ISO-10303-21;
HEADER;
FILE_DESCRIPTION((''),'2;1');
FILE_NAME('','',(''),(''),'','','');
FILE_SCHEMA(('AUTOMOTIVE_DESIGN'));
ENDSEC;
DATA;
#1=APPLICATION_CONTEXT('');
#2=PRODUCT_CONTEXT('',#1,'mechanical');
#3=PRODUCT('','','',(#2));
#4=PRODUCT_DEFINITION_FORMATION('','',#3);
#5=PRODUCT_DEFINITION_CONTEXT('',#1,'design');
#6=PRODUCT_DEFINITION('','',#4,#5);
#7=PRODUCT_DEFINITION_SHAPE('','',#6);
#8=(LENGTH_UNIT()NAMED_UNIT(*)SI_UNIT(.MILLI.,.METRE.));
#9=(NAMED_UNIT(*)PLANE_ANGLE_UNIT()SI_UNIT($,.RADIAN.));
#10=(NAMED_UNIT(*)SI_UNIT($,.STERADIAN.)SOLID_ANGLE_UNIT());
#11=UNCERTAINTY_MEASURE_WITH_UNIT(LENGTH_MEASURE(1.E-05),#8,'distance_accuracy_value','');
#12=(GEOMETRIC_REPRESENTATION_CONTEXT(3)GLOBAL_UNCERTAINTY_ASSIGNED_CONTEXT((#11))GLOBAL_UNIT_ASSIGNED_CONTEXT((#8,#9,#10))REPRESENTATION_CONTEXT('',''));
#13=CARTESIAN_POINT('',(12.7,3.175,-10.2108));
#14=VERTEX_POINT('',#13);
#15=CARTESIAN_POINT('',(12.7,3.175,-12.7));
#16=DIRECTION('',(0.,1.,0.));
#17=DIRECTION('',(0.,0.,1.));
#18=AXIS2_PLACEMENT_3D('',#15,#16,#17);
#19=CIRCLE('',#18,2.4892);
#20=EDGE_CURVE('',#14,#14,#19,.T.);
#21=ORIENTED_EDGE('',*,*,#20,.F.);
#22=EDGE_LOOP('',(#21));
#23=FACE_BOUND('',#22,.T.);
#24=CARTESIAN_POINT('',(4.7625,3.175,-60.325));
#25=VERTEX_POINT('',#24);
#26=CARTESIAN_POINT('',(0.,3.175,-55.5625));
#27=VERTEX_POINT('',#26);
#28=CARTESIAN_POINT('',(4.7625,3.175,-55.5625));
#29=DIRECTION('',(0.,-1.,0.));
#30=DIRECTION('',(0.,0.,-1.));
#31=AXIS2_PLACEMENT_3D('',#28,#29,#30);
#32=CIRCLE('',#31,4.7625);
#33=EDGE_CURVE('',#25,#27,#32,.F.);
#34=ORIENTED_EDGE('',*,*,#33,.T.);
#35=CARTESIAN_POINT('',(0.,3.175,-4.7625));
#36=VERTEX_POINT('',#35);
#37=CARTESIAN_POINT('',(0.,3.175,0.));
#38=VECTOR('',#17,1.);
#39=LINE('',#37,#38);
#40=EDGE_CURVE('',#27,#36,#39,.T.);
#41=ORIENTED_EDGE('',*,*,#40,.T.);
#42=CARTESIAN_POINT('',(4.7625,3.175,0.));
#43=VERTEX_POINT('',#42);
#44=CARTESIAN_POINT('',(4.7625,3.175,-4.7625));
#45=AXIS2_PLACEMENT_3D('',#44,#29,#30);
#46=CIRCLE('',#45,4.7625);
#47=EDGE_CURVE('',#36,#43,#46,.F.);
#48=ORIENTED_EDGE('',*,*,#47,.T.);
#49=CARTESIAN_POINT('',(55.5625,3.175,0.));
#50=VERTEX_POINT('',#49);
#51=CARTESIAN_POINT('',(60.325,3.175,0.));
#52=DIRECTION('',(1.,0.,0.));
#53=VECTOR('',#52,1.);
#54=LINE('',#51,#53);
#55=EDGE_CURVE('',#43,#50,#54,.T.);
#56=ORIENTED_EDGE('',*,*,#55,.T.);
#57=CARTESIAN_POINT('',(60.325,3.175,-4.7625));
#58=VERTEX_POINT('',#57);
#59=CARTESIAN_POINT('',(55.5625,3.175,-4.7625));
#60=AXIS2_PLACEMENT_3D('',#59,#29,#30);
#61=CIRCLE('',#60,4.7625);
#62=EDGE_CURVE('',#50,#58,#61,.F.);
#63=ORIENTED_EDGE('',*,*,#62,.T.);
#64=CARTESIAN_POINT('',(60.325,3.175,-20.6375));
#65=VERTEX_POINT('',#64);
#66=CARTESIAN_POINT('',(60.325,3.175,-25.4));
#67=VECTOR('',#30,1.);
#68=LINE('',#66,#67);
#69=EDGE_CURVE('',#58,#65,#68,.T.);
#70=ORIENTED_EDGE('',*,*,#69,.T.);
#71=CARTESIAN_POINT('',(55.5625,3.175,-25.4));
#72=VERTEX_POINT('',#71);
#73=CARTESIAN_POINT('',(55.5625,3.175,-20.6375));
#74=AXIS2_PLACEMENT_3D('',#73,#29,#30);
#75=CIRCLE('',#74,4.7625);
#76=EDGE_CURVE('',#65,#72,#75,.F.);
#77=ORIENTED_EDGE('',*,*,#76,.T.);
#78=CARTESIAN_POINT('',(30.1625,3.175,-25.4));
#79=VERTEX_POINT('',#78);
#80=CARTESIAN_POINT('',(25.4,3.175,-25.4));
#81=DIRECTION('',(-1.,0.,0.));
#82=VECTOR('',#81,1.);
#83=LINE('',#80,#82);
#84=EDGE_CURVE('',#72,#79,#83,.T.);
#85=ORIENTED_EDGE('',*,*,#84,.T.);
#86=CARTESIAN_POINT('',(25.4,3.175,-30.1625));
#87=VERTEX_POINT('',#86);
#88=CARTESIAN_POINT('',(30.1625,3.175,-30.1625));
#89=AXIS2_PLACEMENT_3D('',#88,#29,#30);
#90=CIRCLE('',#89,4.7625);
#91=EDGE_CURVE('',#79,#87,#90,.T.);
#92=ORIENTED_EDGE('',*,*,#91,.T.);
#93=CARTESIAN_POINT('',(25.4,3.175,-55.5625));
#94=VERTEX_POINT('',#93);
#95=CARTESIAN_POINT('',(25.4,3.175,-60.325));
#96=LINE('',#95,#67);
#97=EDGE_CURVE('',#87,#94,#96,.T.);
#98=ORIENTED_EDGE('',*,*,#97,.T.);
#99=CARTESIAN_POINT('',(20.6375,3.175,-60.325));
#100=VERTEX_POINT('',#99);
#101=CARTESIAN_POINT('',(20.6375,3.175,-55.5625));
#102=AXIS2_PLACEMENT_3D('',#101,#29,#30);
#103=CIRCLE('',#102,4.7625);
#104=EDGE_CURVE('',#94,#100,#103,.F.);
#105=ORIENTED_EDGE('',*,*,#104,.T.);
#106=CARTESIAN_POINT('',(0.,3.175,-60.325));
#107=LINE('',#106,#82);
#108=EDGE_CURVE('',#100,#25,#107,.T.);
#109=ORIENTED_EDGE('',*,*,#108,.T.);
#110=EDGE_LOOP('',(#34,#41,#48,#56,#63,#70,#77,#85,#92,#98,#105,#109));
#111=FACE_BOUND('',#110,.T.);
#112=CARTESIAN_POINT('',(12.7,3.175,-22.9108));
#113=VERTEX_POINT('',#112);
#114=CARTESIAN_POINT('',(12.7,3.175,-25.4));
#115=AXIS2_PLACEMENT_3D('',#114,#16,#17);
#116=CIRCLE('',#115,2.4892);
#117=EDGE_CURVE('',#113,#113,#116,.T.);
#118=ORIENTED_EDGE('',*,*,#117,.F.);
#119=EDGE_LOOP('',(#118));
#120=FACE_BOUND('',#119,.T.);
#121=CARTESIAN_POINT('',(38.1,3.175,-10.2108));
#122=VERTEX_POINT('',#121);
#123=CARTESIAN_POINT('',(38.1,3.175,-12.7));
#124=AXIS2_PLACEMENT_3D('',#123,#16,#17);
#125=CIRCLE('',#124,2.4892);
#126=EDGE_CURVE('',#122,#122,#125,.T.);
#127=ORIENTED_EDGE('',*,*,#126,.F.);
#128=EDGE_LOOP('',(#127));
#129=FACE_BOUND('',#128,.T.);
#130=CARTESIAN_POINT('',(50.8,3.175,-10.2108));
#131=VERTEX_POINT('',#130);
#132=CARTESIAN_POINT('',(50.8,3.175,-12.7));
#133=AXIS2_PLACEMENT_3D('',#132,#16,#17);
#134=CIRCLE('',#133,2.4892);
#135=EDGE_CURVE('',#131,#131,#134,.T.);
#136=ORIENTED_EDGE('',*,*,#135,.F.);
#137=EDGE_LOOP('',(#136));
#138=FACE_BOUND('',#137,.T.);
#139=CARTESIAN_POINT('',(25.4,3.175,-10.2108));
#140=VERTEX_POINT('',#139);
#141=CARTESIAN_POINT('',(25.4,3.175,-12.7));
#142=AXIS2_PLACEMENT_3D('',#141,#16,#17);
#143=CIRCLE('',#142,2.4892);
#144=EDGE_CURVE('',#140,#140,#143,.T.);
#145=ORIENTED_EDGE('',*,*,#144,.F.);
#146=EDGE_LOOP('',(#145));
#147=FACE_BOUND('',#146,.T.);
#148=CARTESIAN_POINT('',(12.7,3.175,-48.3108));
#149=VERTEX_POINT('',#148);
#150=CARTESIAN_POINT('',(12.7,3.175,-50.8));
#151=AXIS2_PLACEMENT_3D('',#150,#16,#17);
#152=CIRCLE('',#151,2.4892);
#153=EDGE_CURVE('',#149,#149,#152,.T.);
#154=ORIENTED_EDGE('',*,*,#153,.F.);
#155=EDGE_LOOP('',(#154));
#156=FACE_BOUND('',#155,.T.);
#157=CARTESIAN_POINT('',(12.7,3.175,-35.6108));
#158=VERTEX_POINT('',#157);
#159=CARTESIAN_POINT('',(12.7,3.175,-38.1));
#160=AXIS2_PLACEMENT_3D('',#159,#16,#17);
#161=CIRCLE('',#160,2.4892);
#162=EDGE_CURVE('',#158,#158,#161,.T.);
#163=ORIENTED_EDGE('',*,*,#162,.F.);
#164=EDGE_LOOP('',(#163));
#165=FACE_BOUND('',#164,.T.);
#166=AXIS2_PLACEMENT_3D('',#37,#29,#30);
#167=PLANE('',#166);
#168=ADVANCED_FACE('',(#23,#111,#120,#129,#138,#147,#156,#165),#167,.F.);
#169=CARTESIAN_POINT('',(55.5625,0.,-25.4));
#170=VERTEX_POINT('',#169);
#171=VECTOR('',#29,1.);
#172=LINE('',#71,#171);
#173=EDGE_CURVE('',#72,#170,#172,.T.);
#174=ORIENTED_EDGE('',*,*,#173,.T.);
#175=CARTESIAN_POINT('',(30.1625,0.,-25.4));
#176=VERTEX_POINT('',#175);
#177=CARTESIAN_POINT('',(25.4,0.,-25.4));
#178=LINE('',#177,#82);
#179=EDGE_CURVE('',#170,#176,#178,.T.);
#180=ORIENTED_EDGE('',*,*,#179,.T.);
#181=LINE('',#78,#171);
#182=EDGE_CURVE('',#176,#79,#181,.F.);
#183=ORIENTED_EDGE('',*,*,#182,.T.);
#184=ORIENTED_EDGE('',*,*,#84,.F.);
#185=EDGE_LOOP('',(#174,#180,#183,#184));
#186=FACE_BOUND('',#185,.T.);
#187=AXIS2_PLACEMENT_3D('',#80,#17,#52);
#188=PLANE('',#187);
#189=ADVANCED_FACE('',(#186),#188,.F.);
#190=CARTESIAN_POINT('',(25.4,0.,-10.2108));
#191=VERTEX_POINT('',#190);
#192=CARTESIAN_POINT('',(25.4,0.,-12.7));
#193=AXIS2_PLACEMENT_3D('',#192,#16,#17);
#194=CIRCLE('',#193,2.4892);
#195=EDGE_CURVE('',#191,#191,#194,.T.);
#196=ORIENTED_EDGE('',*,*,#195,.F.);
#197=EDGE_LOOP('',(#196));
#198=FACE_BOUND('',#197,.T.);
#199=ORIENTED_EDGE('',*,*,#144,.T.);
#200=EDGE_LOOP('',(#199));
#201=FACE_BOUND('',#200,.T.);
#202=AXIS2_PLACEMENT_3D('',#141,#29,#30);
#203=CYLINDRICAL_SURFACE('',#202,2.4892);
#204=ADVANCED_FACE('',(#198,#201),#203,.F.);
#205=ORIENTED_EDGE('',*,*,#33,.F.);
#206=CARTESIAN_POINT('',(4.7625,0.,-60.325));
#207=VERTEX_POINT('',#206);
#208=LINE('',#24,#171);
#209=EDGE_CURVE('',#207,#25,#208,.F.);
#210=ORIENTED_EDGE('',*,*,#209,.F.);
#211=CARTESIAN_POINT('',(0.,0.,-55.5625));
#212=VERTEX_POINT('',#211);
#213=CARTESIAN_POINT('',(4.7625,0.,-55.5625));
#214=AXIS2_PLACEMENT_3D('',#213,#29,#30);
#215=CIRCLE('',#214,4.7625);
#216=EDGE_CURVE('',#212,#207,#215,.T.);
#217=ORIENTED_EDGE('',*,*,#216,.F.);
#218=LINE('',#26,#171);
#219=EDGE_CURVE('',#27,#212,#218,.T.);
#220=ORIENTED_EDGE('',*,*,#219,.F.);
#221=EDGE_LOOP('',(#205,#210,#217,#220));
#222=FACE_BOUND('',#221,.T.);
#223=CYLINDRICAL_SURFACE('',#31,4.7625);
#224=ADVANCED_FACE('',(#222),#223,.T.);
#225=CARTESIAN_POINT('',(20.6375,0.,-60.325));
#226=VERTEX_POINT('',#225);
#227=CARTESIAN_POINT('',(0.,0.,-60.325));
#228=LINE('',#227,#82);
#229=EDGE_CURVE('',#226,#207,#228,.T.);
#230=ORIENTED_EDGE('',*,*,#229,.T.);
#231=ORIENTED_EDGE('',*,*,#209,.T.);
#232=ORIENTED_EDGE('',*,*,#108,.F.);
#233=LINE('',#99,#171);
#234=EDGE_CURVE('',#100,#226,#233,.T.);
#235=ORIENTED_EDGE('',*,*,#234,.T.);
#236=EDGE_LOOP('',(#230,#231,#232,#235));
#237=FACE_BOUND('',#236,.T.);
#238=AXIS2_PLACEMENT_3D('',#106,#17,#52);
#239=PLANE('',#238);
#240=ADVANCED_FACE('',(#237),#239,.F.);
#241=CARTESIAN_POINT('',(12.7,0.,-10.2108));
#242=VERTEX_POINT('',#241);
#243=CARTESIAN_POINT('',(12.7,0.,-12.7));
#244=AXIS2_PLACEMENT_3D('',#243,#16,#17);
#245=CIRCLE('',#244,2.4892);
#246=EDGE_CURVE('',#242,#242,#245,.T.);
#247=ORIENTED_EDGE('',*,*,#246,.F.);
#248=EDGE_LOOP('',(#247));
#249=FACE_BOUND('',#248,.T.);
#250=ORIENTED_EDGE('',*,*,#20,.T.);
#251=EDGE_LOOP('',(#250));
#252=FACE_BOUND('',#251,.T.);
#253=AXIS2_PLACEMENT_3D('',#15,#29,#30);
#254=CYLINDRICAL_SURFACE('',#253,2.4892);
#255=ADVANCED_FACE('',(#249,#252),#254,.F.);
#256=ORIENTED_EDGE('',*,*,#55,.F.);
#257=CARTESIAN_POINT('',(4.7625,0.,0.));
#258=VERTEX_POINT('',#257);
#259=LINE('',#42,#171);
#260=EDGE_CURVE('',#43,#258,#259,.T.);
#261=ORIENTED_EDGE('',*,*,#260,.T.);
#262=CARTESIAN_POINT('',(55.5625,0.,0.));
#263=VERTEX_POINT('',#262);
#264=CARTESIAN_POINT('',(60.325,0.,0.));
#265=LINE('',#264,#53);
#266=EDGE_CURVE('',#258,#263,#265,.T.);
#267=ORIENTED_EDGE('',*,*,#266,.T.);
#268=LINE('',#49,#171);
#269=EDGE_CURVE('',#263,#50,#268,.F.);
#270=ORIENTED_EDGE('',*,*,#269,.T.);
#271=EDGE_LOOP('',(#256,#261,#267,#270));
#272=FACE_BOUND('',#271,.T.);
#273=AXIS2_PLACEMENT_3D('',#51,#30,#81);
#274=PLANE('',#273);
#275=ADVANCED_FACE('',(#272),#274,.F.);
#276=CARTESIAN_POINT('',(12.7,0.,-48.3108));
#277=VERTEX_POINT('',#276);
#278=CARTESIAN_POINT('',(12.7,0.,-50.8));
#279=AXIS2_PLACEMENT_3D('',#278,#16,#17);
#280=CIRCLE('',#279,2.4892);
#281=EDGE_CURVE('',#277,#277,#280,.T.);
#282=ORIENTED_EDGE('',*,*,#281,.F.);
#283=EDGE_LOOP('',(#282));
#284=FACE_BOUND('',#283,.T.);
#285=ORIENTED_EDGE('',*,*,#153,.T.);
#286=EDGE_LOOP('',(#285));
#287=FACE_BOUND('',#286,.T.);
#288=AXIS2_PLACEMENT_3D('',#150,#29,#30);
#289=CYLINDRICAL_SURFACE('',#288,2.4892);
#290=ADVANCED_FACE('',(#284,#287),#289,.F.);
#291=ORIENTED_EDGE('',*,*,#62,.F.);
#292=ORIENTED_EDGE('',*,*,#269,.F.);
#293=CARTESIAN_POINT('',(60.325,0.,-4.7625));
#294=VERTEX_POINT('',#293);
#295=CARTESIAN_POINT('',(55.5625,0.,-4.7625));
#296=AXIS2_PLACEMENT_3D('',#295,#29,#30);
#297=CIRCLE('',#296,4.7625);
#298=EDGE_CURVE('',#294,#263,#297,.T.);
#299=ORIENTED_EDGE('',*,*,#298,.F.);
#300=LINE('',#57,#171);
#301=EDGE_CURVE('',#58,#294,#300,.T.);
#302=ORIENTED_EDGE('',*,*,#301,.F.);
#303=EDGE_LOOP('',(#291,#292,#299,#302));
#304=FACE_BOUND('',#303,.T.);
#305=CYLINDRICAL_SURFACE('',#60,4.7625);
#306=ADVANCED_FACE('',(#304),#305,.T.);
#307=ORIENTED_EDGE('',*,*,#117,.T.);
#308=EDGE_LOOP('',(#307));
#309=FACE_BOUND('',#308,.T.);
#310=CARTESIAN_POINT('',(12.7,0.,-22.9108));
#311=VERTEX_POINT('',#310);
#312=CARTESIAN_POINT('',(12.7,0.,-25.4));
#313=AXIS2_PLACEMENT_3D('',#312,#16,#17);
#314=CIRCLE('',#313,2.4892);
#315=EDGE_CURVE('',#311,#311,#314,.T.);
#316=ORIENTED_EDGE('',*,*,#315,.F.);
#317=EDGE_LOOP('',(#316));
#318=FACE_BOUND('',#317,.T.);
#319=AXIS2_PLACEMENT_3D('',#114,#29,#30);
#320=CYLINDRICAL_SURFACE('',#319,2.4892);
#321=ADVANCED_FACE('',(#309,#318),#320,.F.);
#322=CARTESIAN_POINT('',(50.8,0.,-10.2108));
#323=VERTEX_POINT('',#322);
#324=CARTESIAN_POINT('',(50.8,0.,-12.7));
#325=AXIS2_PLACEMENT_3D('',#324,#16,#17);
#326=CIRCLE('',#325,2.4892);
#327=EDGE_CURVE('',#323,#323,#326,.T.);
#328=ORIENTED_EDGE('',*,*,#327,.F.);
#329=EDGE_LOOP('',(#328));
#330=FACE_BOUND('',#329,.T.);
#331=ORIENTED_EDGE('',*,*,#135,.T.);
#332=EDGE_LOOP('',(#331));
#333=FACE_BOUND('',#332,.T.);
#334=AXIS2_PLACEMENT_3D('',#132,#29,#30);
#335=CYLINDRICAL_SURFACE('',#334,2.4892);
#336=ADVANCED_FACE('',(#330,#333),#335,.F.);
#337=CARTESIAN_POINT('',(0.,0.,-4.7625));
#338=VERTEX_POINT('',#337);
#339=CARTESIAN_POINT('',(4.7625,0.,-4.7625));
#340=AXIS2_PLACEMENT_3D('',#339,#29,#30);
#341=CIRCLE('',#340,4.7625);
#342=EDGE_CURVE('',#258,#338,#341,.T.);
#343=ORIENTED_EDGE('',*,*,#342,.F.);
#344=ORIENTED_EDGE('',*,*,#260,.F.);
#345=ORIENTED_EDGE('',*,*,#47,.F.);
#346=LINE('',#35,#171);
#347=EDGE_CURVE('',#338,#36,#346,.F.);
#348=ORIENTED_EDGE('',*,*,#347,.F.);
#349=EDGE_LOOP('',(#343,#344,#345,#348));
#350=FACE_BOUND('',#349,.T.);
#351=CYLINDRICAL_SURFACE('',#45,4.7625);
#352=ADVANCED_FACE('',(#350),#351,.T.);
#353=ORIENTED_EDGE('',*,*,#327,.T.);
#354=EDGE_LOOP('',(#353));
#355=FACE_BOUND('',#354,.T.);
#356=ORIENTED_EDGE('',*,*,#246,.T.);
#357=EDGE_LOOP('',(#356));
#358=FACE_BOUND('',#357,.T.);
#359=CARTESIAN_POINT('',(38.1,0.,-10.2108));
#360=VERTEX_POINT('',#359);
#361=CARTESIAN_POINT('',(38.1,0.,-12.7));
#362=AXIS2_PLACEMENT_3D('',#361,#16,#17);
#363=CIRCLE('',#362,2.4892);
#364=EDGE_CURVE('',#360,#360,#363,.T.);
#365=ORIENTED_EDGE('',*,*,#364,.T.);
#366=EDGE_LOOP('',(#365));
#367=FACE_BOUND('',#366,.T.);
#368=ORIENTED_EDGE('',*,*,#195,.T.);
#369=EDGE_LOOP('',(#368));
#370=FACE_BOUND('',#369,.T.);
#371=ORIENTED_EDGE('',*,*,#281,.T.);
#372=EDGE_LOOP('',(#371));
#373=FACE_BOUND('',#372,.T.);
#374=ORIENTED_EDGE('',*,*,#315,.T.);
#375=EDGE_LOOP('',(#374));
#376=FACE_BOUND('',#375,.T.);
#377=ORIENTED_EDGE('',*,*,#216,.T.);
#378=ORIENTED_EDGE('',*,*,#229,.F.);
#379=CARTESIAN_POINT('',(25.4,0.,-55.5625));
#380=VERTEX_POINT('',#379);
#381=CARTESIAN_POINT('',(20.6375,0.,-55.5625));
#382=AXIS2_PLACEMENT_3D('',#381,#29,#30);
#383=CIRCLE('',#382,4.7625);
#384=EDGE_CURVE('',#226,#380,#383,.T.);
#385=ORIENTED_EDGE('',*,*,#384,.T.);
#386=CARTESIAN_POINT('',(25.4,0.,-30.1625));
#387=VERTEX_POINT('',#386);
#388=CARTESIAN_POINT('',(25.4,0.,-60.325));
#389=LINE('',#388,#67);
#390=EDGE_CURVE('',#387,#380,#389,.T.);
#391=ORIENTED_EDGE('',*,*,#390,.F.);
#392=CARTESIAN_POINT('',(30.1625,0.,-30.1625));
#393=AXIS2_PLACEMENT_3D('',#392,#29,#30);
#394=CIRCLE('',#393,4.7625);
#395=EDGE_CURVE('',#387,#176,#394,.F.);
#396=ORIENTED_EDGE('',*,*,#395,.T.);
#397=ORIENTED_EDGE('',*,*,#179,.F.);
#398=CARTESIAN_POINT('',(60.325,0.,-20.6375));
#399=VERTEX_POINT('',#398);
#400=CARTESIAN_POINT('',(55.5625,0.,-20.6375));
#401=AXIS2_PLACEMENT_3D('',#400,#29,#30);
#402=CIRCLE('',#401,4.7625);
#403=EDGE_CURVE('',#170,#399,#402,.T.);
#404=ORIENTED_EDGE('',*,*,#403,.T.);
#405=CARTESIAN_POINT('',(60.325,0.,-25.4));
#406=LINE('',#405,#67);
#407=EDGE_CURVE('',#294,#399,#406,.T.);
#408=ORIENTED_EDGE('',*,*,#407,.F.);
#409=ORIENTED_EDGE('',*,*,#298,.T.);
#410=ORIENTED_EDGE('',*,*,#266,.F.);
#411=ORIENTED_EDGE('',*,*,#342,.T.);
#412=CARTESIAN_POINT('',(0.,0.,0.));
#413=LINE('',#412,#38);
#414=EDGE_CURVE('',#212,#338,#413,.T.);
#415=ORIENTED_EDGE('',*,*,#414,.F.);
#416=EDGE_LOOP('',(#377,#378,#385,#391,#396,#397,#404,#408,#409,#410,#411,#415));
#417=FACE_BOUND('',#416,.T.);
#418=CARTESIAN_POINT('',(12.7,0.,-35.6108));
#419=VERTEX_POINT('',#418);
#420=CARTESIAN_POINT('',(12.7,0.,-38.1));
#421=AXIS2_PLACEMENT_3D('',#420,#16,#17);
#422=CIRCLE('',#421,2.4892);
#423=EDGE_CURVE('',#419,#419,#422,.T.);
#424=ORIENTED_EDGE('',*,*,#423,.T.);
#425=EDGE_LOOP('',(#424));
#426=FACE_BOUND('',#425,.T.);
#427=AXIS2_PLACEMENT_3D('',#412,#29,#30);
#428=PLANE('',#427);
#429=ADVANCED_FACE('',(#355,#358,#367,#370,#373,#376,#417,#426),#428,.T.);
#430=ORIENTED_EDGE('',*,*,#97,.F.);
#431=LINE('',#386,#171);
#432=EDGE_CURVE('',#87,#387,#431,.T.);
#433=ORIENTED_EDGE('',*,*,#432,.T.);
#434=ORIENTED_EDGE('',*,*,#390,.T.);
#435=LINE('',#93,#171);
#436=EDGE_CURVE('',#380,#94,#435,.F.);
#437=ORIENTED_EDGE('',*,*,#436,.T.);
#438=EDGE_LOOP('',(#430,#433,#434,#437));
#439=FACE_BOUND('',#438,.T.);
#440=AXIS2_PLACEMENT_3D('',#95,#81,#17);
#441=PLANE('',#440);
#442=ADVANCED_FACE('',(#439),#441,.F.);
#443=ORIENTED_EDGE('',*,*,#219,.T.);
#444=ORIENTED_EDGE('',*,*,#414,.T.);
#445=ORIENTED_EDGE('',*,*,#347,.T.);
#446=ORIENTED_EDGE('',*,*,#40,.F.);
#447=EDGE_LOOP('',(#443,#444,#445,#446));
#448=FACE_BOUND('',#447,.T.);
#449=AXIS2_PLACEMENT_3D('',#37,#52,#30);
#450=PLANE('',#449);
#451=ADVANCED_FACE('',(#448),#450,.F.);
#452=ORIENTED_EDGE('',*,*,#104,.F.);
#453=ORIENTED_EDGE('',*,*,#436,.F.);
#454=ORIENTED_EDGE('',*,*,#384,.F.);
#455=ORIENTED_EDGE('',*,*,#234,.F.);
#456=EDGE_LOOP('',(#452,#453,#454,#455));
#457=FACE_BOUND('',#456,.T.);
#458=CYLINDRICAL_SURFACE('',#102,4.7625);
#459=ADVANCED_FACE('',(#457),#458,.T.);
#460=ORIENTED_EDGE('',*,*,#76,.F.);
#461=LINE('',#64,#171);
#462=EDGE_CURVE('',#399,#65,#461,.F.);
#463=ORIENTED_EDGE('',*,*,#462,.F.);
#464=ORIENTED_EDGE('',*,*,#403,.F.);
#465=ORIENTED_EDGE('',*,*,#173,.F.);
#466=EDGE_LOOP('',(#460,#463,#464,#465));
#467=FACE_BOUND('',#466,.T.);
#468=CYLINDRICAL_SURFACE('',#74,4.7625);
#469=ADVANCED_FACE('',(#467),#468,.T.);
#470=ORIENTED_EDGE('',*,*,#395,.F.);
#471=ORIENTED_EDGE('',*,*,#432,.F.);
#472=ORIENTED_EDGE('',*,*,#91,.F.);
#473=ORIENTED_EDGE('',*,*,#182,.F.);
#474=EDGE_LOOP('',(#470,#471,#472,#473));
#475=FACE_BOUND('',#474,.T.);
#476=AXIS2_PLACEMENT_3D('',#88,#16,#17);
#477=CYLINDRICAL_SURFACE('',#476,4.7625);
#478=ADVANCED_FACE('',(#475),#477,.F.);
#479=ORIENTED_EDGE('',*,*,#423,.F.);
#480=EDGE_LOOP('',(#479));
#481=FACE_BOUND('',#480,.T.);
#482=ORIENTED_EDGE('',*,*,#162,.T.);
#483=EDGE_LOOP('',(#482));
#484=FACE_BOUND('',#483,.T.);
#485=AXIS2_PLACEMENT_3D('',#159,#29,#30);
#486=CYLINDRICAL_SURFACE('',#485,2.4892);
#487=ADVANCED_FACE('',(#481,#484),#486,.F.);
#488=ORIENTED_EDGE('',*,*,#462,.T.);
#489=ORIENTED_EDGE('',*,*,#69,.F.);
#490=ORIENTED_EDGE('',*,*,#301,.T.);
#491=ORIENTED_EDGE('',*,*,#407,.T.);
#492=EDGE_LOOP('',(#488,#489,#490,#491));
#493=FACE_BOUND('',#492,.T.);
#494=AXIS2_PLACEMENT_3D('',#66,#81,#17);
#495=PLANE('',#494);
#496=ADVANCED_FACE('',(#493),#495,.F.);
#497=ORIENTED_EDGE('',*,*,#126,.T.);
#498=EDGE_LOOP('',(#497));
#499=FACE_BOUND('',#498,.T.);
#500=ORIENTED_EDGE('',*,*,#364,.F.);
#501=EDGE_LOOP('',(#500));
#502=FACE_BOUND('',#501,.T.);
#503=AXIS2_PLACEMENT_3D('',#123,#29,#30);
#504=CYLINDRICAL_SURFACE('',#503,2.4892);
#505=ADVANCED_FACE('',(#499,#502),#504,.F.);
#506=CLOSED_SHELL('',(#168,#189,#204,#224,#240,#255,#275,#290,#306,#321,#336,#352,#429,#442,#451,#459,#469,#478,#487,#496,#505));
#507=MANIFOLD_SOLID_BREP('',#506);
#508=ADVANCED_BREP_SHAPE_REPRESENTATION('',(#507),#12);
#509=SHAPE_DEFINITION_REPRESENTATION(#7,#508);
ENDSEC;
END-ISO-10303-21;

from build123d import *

# Parameters (mm, degrees)
SKETCH1_R           = 2.4892
BOSS_EXTRUDE1_DEPTH = 3.175
FILLET1_R           = 4.7625


with BuildPart() as part:
    # Sketch1 → Boss-Extrude1 (new body)
    with BuildSketch(Plane(origin=(0, 0, 0), x_dir=(1, 0, 0), z_dir=(0, 1, 0))):
        Polygon((0, 0), (0, 60.325), (25.4, 60.325), (25.4, 25.4), (60.325, 25.4), (60.325, 0), align=None)
        with Locations(Location((12.7, 12.7, 0), (0, 0, 270))):
            Circle(SKETCH1_R, mode=Mode.SUBTRACT)
        with Locations(Location((12.7, 25.4, 0), (0, 0, 270))):
            Circle(SKETCH1_R, mode=Mode.SUBTRACT)
        with Locations(Location((12.7, 38.1, 0), (0, 0, 270))):
            Circle(SKETCH1_R, mode=Mode.SUBTRACT)
        with Locations(Location((25.4, 12.7, 0), (0, 0, 270))):
            Circle(SKETCH1_R, mode=Mode.SUBTRACT)
        with Locations(Location((38.1, 12.7, 0), (0, 0, 270))):
            Circle(SKETCH1_R, mode=Mode.SUBTRACT)
        with Locations(Location((50.8, 12.7, 0), (0, 0, 270))):
            Circle(SKETCH1_R, mode=Mode.SUBTRACT)
        with Locations(Location((12.7, 50.8, 0), (0, 0, 270))):
            Circle(SKETCH1_R, mode=Mode.SUBTRACT)
    extrude(amount=BOSS_EXTRUDE1_DEPTH)

    # Fillet1
    fillet1_edges = [part.edges().sort_by_distance(p)[0] for p in [
        (0, 1.5875, 0),
        (0, 1.5875, -60.325),
        (25.4, 1.5875, -60.325),
        (25.4, 1.5875, -25.4),
        (60.325, 1.5875, -25.4),
        (60.325, 1.5875, 0),
    ]]
    fillet(fillet1_edges, radius=FILLET1_R)


solid = part.part
